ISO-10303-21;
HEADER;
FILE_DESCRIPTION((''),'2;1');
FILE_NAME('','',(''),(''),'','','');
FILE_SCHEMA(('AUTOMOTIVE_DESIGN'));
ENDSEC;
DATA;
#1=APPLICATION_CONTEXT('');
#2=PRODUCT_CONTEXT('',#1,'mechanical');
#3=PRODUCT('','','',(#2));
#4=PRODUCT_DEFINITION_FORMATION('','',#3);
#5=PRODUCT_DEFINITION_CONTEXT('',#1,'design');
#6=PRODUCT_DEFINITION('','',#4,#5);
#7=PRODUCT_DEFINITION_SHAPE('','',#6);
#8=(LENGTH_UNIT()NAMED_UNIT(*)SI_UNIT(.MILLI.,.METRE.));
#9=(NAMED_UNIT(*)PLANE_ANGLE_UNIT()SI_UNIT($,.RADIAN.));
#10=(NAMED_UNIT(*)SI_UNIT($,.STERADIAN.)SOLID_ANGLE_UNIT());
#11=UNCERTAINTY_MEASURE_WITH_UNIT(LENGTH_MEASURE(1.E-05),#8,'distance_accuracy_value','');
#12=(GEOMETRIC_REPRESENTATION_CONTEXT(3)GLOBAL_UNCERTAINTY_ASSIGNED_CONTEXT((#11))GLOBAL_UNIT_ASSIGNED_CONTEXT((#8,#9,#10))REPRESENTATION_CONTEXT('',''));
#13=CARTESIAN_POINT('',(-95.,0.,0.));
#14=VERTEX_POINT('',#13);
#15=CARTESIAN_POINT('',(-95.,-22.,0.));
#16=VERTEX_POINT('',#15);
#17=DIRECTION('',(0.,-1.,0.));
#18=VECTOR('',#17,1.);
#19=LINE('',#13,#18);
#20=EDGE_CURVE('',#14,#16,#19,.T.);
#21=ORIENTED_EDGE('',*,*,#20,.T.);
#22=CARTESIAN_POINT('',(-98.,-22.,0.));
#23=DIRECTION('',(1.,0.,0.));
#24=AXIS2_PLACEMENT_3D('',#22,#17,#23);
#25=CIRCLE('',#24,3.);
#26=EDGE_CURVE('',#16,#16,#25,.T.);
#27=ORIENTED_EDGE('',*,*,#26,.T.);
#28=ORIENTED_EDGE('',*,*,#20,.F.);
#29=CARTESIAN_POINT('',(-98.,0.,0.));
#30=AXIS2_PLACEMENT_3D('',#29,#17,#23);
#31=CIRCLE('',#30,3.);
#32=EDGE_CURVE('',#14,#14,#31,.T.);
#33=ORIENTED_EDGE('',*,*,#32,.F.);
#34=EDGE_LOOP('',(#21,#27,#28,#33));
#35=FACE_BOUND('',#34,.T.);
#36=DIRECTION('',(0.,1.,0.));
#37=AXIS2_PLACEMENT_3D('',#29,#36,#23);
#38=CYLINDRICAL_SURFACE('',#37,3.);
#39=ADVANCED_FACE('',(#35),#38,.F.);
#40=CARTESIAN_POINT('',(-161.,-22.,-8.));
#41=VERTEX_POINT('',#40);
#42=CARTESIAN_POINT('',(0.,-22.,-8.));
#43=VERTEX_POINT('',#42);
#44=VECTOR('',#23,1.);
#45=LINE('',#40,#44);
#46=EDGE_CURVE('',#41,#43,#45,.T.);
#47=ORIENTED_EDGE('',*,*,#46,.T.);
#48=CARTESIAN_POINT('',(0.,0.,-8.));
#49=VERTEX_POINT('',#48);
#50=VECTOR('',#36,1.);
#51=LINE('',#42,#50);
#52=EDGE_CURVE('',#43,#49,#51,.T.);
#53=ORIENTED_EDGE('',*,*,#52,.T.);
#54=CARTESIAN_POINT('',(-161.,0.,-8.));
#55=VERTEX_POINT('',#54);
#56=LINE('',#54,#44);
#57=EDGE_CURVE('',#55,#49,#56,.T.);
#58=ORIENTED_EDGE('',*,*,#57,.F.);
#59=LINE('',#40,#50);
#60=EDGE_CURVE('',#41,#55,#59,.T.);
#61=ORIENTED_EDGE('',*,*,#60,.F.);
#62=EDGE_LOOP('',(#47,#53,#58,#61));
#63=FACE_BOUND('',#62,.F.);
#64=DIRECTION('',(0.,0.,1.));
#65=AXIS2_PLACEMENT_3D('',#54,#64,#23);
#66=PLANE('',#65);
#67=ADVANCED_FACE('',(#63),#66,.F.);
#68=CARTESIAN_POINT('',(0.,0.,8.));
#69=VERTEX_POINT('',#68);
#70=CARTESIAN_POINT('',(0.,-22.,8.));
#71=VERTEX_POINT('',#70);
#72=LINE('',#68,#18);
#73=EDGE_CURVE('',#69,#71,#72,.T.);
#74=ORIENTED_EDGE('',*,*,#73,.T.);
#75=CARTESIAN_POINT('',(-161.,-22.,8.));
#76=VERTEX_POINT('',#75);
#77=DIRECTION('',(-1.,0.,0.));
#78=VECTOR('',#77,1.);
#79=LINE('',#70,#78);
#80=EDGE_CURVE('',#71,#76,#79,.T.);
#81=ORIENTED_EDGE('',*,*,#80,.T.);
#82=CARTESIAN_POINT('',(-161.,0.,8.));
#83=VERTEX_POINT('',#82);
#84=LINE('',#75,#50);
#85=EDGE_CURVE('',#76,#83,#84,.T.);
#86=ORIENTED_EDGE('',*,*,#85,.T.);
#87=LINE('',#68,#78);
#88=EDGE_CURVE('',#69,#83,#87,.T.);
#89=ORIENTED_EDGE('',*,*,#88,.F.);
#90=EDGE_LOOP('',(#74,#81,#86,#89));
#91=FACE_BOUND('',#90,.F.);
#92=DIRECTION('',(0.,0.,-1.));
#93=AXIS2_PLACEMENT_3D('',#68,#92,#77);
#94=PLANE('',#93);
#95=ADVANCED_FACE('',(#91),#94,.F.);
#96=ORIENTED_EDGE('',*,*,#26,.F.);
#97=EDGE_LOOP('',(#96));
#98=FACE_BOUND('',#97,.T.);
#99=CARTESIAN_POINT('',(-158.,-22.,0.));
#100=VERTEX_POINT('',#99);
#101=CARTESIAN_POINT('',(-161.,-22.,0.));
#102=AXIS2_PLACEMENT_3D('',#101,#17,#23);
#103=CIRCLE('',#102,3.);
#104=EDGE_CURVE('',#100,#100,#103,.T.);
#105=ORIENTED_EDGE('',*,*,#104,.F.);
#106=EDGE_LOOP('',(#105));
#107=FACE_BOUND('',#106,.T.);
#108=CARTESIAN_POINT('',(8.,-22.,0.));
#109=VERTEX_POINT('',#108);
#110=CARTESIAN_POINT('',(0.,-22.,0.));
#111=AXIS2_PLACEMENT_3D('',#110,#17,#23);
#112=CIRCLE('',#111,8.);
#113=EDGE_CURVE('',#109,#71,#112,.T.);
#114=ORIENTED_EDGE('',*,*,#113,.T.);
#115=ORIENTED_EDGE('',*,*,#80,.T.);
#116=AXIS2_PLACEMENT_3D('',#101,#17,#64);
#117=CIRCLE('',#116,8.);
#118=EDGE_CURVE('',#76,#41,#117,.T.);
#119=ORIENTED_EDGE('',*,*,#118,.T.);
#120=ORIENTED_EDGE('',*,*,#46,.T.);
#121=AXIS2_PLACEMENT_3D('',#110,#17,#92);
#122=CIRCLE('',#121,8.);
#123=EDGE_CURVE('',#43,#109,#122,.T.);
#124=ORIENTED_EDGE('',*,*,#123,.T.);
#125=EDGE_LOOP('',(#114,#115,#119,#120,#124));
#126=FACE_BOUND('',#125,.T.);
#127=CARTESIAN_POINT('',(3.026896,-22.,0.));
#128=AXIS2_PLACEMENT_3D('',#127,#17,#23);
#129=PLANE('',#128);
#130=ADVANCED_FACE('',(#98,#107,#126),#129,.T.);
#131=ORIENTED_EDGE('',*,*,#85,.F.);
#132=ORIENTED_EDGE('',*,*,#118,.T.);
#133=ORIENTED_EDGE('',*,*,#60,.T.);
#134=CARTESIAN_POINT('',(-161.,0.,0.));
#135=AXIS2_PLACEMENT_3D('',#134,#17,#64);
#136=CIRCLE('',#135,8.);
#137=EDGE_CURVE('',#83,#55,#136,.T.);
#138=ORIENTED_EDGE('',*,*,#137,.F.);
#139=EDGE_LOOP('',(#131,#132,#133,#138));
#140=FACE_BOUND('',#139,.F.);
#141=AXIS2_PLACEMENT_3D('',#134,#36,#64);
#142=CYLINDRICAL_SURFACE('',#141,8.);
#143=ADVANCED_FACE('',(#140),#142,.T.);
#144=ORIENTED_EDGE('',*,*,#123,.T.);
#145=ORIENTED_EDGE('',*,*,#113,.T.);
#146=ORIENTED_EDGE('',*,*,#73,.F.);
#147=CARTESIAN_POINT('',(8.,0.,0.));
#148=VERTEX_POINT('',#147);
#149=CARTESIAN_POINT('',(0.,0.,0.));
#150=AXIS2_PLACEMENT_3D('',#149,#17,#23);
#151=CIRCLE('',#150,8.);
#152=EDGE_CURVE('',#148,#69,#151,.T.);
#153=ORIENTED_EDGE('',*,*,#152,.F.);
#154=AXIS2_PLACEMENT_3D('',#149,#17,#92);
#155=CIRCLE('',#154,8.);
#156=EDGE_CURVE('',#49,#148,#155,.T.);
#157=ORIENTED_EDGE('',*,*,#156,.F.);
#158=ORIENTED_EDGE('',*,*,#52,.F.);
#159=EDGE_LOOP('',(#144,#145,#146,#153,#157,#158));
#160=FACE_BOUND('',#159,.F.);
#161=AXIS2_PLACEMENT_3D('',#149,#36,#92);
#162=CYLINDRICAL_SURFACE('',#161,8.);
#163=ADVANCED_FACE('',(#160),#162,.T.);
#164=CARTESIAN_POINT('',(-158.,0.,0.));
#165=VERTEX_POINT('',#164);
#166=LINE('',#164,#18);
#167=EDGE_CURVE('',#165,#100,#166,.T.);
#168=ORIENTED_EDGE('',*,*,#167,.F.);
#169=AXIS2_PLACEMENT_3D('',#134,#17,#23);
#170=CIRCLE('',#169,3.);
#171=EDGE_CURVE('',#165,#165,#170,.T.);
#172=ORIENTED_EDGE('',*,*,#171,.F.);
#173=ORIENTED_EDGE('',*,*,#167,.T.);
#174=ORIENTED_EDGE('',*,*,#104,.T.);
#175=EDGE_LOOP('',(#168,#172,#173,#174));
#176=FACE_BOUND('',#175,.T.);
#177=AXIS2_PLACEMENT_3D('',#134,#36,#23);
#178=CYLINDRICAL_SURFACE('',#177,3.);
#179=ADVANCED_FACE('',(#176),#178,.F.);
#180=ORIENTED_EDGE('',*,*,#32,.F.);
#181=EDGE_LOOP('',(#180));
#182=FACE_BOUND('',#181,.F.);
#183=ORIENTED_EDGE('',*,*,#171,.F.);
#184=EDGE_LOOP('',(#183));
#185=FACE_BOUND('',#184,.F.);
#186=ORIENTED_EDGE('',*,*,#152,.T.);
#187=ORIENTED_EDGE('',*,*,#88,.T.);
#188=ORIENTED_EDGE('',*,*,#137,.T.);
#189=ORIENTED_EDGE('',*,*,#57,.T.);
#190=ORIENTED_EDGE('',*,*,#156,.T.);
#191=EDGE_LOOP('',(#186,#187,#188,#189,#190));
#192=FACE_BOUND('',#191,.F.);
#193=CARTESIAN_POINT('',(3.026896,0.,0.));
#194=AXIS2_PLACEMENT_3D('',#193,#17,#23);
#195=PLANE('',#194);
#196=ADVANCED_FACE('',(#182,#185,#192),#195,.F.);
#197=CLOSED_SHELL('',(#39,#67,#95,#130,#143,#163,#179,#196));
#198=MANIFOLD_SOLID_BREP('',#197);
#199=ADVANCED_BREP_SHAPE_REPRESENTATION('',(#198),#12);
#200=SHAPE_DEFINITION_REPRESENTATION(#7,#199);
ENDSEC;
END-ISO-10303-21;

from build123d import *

# Parameters (mm, degrees)
F0_W     = 8
F0_H     = 16
F0_W_2   = 24
F0_R     = 3
F0_W_3   = 35
F1_DEPTH = 6
F2_DEPTH = 22


with BuildPart() as f1:
    # F0 (on Front) → F1 (new body)
    with BuildSketch(Plane.XZ):
        with BuildLine():
            ThreePointArc((0, -8), (5.6568542495, -5.6568542495), (8, 0))
            ThreePointArc((8, 0), (5.6568542495, 5.6568542495), (0, 8))
            Line((0, 8), (0, -8))
        make_face()
        with BuildLine():
            Line((0, -8), (0, 8))
            ThreePointArc((0, 8), (-8, 0), (0, -8))
        make_face()
        with BuildLine():
            ThreePointArc((0, -8), (-8, 0), (0, 8))
            Line((0, 8), (-72, 8))
            Line((-72, 8), (-72, -8))
            Line((-72, -8), (0, -8))
        make_face()
        with Locations((-76, 0)):
            Rectangle(F0_W, F0_H)
        with Locations((-92, 0)):
            Rectangle(F0_W_2, F0_H)
        with Locations((-98, 0)):
            Circle(F0_R, mode=Mode.SUBTRACT)
        with Locations((-108, 0)):
            Rectangle(F0_W, F0_H)
        with Locations((-129.5, 0)):
            Rectangle(F0_W_3, F0_H)
        with Locations((-151, 0)):
            Rectangle(F0_W, F0_H)
        with BuildLine():
            Line((-155, -8), (-155, 8))
            Line((-155, 8), (-161, 8))
            ThreePointArc((-161, 8), (-169, 0), (-161, -8))
            Line((-161, -8), (-155, -8))
        make_face()
        with Locations((-161, 0)):
            Circle(F0_R, mode=Mode.SUBTRACT)
    extrude(amount=F1_DEPTH)

    # F0 (on Front) → F2 (join)
    with BuildSketch(Plane.XZ):
        with BuildLine():
            ThreePointArc((0, -8), (5.6568542495, -5.6568542495), (8, 0))
            ThreePointArc((8, 0), (5.6568542495, 5.6568542495), (0, 8))
            Line((0, 8), (0, -8))
        make_face()
        with BuildLine():
            Line((0, -8), (0, 8))
            ThreePointArc((0, 8), (-8, 0), (0, -8))
        make_face()
        with BuildLine():
            ThreePointArc((0, -8), (-8, 0), (0, 8))
            Line((0, 8), (-72, 8))
            Line((-72, 8), (-72, -8))
            Line((-72, -8), (0, -8))
        make_face()
        with Locations((-76, 0)):
            Rectangle(F0_W, F0_H)
        with Locations((-92, 0)):
            Rectangle(F0_W_2, F0_H)
        with Locations((-98, 0)):
            Circle(F0_R, mode=Mode.SUBTRACT)
        with Locations((-108, 0)):
            Rectangle(F0_W, F0_H)
        with Locations((-129.5, 0)):
            Rectangle(F0_W_3, F0_H)
        with Locations((-151, 0)):
            Rectangle(F0_W, F0_H)
        with BuildLine():
            Line((-155, -8), (-155, 8))
            Line((-155, 8), (-161, 8))
            ThreePointArc((-161, 8), (-169, 0), (-161, -8))
            Line((-161, -8), (-155, -8))
        make_face()
        with Locations((-161, 0)):
            Circle(F0_R, mode=Mode.SUBTRACT)
    extrude(amount=F2_DEPTH)


solid = f1.part
